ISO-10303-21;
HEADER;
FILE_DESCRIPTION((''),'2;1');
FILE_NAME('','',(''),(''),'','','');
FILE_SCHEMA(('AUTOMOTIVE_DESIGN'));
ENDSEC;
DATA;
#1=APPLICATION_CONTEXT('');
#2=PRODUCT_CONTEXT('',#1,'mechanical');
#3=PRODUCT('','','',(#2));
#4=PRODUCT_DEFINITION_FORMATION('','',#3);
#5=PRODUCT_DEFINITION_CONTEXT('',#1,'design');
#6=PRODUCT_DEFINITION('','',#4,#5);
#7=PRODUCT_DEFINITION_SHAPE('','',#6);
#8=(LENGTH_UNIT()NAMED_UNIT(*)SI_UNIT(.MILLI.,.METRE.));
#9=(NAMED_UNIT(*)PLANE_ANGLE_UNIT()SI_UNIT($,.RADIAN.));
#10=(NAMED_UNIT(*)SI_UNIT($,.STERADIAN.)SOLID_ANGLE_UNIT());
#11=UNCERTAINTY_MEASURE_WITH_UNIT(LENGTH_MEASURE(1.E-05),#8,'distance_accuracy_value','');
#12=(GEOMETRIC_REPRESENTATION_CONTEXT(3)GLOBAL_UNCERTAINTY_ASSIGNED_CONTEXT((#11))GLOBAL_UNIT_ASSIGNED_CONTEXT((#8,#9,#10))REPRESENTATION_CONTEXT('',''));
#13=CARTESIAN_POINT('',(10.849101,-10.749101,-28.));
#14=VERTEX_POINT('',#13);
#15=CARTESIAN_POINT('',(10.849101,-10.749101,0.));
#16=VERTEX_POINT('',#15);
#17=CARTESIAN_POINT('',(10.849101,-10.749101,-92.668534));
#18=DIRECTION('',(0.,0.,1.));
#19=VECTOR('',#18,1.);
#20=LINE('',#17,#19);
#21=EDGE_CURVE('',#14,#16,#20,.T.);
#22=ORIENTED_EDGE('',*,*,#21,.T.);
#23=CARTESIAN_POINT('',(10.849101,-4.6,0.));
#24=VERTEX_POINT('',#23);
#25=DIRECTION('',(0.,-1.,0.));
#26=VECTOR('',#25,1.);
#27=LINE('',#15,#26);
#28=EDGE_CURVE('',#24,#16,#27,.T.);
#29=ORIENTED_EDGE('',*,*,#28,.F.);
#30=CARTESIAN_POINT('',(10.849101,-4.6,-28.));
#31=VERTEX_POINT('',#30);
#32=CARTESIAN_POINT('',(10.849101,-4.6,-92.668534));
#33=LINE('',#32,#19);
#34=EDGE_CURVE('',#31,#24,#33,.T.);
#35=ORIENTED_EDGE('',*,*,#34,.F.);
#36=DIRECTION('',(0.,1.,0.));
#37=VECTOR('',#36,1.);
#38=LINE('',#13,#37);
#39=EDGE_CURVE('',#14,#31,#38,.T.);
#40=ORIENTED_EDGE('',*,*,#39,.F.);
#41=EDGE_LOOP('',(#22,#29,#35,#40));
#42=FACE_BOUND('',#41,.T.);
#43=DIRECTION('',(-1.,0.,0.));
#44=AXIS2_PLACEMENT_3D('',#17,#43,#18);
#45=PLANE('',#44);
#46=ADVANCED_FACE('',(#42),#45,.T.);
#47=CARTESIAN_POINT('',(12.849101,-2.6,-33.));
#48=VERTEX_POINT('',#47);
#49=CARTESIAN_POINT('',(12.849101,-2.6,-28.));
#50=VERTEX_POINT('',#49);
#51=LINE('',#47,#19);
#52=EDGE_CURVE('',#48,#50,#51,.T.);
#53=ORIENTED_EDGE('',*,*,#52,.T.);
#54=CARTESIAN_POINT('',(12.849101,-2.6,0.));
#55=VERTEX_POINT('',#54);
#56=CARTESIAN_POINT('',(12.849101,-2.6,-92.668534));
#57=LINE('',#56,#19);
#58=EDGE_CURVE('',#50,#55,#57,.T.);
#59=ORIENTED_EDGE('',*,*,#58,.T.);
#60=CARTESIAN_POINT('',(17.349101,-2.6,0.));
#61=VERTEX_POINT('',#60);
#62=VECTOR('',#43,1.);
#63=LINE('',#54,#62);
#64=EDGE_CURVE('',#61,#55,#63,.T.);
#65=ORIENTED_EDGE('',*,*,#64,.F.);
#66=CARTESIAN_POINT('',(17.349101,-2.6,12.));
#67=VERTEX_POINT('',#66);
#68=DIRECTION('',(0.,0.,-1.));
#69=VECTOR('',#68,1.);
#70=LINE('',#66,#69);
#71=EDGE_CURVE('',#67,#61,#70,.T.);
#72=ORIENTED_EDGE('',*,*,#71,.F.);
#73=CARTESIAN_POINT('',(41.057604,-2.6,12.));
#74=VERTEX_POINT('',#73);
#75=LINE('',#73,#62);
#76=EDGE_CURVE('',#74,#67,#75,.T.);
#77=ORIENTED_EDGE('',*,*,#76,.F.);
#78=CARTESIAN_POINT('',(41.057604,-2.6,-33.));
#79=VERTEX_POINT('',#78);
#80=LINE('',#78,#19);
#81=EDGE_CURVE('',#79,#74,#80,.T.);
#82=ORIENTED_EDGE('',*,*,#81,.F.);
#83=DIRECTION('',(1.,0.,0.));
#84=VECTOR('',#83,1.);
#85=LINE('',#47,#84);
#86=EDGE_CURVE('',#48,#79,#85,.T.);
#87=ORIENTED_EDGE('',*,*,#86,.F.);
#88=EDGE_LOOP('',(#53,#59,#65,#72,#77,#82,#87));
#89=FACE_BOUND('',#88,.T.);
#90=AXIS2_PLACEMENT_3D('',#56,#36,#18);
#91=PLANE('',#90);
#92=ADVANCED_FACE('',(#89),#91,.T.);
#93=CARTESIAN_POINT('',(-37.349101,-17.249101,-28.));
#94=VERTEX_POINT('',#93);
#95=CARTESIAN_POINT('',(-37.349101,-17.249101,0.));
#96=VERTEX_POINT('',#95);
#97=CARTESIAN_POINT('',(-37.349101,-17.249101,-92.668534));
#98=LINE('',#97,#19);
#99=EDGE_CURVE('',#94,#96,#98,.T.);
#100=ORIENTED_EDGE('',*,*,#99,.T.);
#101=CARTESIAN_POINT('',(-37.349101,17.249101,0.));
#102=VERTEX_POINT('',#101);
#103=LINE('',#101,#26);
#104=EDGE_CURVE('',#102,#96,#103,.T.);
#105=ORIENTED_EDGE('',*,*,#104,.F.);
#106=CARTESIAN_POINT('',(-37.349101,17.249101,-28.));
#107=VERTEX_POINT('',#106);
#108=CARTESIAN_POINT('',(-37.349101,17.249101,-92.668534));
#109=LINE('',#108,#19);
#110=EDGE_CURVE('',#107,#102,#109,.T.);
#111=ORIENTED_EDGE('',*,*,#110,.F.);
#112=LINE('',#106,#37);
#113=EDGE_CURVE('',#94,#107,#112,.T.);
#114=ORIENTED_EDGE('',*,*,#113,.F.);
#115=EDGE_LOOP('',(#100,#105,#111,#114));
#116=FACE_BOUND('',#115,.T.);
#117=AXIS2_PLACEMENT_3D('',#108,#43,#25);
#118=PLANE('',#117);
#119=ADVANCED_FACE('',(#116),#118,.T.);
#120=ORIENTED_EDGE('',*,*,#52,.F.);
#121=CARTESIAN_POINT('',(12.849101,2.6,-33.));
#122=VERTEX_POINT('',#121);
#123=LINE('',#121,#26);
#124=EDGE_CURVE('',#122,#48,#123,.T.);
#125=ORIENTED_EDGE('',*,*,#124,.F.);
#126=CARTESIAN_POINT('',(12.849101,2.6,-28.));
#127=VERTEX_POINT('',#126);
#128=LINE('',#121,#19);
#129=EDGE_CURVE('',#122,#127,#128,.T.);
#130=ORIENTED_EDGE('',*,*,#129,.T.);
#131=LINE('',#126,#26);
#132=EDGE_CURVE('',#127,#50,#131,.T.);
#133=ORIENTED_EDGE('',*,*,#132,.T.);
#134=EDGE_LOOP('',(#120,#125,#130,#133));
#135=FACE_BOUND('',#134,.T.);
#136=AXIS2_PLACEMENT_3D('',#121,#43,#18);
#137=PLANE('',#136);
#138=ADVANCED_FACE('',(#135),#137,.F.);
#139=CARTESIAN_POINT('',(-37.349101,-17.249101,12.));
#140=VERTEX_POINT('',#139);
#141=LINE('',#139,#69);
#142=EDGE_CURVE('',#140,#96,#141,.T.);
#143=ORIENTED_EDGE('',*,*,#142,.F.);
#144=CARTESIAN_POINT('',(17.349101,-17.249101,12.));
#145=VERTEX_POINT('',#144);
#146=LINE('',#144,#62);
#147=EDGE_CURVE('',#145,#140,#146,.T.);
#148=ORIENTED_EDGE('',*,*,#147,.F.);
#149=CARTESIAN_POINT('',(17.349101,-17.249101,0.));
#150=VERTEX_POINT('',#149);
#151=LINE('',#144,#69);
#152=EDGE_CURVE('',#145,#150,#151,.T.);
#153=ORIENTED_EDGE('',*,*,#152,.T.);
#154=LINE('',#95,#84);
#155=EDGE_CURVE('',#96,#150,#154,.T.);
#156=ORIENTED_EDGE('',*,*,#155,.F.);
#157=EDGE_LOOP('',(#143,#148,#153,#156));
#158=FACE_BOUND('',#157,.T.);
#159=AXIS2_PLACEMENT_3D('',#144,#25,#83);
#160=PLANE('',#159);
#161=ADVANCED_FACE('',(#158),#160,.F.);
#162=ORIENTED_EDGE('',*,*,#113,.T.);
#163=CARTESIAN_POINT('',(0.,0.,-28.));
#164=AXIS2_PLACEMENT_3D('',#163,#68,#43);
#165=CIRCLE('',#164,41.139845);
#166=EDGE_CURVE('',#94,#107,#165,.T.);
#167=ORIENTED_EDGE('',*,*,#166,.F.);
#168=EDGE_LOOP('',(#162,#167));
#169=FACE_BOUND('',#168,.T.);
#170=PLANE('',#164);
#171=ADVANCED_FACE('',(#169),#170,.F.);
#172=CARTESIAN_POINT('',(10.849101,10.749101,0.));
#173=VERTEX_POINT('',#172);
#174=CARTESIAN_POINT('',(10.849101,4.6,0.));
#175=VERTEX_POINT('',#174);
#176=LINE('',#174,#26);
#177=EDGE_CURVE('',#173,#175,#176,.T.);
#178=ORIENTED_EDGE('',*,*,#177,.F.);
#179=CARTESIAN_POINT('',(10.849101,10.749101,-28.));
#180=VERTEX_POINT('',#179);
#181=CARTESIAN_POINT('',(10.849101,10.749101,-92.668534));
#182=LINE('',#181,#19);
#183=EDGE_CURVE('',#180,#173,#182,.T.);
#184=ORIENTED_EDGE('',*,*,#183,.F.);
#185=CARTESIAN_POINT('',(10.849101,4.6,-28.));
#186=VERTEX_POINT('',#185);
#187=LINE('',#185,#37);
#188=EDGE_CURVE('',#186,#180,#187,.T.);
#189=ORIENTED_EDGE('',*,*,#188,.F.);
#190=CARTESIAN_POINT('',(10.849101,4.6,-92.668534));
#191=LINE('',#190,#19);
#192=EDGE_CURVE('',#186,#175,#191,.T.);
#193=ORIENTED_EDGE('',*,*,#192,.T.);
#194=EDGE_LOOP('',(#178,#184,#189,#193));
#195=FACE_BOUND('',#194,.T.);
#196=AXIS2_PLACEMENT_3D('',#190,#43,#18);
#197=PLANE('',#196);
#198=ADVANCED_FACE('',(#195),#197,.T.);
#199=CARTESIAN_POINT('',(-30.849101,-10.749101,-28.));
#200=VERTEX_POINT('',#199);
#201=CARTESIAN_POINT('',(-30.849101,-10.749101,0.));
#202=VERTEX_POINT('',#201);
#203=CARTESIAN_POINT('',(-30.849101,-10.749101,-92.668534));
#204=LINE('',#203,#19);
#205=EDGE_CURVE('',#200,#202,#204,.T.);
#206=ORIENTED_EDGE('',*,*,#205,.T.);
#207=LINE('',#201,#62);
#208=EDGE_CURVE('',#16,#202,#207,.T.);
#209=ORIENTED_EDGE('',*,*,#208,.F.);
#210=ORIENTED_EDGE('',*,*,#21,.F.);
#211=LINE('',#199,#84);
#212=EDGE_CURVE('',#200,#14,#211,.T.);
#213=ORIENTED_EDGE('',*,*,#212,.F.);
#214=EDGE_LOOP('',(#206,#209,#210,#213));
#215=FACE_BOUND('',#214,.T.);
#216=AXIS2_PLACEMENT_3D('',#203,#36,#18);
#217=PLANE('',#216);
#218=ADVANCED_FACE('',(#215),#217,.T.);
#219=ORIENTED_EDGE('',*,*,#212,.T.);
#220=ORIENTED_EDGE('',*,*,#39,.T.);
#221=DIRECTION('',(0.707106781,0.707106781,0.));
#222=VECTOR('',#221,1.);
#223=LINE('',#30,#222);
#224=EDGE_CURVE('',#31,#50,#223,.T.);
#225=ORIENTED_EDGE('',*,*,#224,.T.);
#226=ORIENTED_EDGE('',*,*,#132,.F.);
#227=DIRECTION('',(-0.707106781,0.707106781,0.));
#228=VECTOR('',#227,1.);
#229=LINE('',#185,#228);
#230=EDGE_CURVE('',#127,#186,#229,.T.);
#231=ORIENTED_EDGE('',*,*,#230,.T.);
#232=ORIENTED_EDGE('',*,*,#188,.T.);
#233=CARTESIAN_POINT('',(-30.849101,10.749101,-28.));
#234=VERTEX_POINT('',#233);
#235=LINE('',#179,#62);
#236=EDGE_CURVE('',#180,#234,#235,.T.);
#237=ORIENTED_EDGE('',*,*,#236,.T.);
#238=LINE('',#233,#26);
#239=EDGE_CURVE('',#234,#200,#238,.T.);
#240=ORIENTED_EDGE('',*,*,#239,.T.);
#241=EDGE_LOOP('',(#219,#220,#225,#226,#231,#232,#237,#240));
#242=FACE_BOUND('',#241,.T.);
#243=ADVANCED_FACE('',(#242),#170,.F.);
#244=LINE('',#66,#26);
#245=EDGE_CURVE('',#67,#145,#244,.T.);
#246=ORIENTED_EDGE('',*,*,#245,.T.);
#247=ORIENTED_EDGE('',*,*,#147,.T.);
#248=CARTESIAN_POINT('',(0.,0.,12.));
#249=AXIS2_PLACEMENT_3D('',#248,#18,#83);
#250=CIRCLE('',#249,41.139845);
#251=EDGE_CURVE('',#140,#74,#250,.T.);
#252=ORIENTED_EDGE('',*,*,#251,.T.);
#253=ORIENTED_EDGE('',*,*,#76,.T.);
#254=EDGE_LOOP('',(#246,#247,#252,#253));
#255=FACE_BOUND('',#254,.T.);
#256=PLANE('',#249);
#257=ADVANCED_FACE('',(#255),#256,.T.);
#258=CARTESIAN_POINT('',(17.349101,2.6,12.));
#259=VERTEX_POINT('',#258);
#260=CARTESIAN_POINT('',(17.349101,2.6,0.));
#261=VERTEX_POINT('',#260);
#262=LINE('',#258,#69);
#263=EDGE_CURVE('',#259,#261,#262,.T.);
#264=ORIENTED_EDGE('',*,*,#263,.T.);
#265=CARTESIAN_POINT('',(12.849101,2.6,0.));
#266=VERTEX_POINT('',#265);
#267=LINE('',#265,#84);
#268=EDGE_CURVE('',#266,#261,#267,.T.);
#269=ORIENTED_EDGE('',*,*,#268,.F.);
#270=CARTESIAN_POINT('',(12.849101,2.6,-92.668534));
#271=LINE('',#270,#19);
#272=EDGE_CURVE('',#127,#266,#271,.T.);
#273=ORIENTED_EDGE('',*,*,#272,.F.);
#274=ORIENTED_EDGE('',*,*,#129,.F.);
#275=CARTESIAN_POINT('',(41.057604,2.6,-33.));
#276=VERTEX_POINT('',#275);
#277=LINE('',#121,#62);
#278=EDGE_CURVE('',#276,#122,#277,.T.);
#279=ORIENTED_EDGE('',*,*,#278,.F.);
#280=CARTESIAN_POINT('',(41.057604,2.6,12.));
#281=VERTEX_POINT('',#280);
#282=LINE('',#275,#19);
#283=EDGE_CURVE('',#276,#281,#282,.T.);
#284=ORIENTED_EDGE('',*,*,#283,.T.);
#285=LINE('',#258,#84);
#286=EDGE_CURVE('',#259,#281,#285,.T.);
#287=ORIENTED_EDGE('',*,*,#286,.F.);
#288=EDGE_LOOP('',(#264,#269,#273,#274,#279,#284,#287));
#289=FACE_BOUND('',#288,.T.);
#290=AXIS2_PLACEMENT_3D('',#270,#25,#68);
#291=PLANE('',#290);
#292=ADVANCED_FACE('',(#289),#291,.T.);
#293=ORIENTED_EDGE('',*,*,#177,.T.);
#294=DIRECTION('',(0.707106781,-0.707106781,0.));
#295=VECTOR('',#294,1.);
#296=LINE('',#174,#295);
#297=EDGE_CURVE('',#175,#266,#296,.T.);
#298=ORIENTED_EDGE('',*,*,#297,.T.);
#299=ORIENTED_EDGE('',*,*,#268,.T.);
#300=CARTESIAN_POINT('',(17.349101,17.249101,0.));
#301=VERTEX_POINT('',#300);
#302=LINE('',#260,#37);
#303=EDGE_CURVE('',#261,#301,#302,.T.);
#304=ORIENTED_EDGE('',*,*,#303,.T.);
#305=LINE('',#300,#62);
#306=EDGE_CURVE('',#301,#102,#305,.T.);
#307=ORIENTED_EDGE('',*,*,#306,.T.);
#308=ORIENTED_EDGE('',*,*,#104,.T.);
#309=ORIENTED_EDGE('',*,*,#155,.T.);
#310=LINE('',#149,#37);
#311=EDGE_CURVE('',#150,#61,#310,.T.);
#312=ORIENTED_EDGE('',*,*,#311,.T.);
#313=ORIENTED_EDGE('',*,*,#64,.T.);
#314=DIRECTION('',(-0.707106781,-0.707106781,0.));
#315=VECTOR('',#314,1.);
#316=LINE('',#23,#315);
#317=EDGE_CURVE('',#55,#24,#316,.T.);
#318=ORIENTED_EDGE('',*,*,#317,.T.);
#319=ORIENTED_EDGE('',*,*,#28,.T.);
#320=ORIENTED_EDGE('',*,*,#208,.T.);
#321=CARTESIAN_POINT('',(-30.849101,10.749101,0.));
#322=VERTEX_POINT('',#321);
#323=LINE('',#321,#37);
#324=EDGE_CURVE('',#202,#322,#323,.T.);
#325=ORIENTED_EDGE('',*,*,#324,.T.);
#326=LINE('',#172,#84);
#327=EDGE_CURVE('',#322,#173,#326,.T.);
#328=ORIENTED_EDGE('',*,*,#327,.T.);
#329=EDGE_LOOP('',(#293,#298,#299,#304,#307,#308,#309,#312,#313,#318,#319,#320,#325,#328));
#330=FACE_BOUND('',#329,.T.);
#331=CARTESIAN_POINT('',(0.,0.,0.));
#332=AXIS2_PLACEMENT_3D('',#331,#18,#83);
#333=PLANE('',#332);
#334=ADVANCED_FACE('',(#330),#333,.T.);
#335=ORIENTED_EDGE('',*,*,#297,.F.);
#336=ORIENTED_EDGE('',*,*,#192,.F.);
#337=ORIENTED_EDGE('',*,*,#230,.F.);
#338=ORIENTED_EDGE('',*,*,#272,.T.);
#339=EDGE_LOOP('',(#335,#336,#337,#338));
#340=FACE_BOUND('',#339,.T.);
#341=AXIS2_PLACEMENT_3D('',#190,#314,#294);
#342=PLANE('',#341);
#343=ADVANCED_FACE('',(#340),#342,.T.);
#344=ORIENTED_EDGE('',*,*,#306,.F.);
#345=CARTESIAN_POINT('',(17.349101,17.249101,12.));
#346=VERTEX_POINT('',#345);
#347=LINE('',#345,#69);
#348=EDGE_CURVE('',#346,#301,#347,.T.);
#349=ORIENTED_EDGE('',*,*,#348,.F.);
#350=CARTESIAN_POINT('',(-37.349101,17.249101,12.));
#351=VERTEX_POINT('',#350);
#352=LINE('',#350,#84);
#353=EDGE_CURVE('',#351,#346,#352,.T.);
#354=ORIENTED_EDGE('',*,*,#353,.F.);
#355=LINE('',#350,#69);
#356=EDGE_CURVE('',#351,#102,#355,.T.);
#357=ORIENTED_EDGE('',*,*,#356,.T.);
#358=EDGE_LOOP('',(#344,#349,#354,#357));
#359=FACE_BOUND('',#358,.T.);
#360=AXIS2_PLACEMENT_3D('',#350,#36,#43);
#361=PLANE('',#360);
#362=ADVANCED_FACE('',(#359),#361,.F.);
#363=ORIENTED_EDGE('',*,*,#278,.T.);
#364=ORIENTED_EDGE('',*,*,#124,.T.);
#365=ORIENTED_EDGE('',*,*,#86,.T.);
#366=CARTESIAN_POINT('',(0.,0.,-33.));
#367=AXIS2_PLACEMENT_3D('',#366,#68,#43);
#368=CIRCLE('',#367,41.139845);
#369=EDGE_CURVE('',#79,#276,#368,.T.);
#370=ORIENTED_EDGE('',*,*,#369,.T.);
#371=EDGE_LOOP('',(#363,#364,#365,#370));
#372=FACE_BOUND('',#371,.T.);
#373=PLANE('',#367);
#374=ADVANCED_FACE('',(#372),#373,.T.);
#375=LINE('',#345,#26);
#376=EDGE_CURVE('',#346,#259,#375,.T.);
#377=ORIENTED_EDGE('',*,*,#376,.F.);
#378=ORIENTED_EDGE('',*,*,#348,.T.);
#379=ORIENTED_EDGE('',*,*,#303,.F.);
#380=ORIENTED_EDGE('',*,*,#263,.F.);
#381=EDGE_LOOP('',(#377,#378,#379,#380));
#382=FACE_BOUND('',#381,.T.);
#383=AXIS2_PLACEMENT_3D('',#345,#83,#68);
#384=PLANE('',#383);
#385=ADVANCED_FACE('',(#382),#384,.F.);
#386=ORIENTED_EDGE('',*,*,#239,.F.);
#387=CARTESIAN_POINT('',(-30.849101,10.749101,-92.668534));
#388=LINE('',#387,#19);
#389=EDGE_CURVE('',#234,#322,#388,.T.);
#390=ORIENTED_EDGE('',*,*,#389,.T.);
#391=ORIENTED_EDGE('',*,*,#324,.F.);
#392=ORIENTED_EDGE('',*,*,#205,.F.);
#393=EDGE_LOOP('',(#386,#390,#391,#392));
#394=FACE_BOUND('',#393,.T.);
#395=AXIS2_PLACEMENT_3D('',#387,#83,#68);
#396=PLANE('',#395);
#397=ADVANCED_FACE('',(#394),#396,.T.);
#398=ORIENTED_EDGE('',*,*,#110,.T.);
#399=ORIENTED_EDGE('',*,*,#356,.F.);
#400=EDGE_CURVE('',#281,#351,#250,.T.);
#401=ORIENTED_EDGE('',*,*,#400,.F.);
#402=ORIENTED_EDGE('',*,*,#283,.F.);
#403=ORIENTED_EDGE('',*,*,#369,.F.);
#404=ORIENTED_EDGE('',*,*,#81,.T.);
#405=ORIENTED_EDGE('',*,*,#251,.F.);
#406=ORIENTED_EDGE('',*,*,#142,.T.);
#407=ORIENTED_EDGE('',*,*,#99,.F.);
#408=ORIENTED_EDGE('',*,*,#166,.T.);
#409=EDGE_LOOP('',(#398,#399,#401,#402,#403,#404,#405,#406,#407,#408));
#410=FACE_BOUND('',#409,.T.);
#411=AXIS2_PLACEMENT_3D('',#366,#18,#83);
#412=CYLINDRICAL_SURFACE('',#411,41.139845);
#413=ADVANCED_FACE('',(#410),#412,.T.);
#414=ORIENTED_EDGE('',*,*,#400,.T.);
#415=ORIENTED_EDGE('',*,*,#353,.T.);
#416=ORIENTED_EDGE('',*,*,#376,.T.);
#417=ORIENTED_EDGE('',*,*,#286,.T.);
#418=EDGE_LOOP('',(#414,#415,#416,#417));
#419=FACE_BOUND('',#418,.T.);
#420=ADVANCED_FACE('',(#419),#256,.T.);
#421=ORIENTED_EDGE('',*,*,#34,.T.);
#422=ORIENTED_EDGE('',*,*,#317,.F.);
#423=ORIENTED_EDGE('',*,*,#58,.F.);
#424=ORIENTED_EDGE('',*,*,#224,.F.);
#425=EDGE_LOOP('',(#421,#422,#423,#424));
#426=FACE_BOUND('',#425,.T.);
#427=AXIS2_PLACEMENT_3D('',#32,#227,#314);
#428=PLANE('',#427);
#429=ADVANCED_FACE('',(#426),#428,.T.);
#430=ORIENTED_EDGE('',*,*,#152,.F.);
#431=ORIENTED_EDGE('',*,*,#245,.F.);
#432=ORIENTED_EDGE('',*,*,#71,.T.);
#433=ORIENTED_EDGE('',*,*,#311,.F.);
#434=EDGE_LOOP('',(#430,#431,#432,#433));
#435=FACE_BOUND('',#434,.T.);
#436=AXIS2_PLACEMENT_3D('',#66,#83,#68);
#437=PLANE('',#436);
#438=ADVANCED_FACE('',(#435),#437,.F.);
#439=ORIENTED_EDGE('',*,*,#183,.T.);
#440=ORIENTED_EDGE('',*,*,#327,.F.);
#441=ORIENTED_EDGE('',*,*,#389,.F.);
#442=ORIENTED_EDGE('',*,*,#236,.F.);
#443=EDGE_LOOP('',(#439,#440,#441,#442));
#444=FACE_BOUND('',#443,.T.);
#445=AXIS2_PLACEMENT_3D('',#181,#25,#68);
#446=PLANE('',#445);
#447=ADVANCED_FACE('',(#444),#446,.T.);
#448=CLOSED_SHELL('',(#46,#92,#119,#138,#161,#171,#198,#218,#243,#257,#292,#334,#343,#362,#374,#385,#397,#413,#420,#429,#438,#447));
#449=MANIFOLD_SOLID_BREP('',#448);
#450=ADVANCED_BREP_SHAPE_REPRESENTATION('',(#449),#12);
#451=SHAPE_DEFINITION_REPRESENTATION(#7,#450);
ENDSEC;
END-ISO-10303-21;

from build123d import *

# Parameters (mm, degrees)
BOSS_EXTRUDE1_DEPTH = 28
BOSS_EXTRUDE2_DEPTH = 5
BOSS_EXTRUDE6_START = 40
BOSS_EXTRUDE6_DEPTH = 40


with BuildPart() as part:
    # Sketch1 → Boss-Extrude1 (new body)
    with BuildSketch(Plane.XY):
        Polygon((10.849101299, 4.6), (12.849101299, 2.6), (17.349101299, 2.6), (17.349101299, 17.249101299), (-37.349101299, 17.249101299), (-37.349101299, -17.249101299), (17.349101299, -17.249101299), (17.349101299, -2.6), (12.849101299, -2.6), (10.849101299, -4.6), (10.849101299, -10.749101299), (-30.849101299, -10.749101299), (-30.849101299, 10.749101299), (10.849101299, 10.749101299), align=None)
    extrude(amount=-BOSS_EXTRUDE1_DEPTH)

    # Sketch2 → Boss-Extrude2 (add)
    with BuildSketch(Plane(origin=(0, 0, -28), x_dir=(-1, 0, 0), z_dir=(0, 0, -1))):
        with BuildLine():
            Line((-12.849101299, 2.6), (-41.057604209, 2.6))
            ThreePointArc((-41.057604209, 2.6), (41.139845204, 0), (-41.057604209, -2.6))
            Line((-41.057604209, -2.6), (-12.849101299, -2.6))
            Line((-12.849101299, -2.6), (-12.849101299, 2.6))
        make_face()
    extrude(amount=BOSS_EXTRUDE2_DEPTH)

    # Sketch3 → Boss-Extrude6 (add)
    with BuildSketch(Plane.XY.offset(-28).offset(BOSS_EXTRUDE6_START)):
        with BuildLine():
            Line((-37.349101299, 17.249101299), (17.349101299, 17.249101299))
            Line((17.349101299, 17.249101299), (17.349101299, 2.6))
            Line((17.349101299, 2.6), (41.057604209, 2.6))
            ThreePointArc((41.057604209, 2.6), (7.55561319, 40.440073847), (-37.349101299, 17.249101299))
        make_face()
        with BuildLine():
            Line((41.057604209, -2.6), (17.349101299, -2.6))
            Line((17.349101299, -2.6), (17.349101299, -17.249101299))
            Line((17.349101299, -17.249101299), (-37.349101299, -17.249101299))
            ThreePointArc((-37.349101299, -17.249101299), (7.55561319, -40.440073847), (41.057604209, -2.6))
        make_face()
    extrude(amount=-BOSS_EXTRUDE6_DEPTH)


solid = part.part
